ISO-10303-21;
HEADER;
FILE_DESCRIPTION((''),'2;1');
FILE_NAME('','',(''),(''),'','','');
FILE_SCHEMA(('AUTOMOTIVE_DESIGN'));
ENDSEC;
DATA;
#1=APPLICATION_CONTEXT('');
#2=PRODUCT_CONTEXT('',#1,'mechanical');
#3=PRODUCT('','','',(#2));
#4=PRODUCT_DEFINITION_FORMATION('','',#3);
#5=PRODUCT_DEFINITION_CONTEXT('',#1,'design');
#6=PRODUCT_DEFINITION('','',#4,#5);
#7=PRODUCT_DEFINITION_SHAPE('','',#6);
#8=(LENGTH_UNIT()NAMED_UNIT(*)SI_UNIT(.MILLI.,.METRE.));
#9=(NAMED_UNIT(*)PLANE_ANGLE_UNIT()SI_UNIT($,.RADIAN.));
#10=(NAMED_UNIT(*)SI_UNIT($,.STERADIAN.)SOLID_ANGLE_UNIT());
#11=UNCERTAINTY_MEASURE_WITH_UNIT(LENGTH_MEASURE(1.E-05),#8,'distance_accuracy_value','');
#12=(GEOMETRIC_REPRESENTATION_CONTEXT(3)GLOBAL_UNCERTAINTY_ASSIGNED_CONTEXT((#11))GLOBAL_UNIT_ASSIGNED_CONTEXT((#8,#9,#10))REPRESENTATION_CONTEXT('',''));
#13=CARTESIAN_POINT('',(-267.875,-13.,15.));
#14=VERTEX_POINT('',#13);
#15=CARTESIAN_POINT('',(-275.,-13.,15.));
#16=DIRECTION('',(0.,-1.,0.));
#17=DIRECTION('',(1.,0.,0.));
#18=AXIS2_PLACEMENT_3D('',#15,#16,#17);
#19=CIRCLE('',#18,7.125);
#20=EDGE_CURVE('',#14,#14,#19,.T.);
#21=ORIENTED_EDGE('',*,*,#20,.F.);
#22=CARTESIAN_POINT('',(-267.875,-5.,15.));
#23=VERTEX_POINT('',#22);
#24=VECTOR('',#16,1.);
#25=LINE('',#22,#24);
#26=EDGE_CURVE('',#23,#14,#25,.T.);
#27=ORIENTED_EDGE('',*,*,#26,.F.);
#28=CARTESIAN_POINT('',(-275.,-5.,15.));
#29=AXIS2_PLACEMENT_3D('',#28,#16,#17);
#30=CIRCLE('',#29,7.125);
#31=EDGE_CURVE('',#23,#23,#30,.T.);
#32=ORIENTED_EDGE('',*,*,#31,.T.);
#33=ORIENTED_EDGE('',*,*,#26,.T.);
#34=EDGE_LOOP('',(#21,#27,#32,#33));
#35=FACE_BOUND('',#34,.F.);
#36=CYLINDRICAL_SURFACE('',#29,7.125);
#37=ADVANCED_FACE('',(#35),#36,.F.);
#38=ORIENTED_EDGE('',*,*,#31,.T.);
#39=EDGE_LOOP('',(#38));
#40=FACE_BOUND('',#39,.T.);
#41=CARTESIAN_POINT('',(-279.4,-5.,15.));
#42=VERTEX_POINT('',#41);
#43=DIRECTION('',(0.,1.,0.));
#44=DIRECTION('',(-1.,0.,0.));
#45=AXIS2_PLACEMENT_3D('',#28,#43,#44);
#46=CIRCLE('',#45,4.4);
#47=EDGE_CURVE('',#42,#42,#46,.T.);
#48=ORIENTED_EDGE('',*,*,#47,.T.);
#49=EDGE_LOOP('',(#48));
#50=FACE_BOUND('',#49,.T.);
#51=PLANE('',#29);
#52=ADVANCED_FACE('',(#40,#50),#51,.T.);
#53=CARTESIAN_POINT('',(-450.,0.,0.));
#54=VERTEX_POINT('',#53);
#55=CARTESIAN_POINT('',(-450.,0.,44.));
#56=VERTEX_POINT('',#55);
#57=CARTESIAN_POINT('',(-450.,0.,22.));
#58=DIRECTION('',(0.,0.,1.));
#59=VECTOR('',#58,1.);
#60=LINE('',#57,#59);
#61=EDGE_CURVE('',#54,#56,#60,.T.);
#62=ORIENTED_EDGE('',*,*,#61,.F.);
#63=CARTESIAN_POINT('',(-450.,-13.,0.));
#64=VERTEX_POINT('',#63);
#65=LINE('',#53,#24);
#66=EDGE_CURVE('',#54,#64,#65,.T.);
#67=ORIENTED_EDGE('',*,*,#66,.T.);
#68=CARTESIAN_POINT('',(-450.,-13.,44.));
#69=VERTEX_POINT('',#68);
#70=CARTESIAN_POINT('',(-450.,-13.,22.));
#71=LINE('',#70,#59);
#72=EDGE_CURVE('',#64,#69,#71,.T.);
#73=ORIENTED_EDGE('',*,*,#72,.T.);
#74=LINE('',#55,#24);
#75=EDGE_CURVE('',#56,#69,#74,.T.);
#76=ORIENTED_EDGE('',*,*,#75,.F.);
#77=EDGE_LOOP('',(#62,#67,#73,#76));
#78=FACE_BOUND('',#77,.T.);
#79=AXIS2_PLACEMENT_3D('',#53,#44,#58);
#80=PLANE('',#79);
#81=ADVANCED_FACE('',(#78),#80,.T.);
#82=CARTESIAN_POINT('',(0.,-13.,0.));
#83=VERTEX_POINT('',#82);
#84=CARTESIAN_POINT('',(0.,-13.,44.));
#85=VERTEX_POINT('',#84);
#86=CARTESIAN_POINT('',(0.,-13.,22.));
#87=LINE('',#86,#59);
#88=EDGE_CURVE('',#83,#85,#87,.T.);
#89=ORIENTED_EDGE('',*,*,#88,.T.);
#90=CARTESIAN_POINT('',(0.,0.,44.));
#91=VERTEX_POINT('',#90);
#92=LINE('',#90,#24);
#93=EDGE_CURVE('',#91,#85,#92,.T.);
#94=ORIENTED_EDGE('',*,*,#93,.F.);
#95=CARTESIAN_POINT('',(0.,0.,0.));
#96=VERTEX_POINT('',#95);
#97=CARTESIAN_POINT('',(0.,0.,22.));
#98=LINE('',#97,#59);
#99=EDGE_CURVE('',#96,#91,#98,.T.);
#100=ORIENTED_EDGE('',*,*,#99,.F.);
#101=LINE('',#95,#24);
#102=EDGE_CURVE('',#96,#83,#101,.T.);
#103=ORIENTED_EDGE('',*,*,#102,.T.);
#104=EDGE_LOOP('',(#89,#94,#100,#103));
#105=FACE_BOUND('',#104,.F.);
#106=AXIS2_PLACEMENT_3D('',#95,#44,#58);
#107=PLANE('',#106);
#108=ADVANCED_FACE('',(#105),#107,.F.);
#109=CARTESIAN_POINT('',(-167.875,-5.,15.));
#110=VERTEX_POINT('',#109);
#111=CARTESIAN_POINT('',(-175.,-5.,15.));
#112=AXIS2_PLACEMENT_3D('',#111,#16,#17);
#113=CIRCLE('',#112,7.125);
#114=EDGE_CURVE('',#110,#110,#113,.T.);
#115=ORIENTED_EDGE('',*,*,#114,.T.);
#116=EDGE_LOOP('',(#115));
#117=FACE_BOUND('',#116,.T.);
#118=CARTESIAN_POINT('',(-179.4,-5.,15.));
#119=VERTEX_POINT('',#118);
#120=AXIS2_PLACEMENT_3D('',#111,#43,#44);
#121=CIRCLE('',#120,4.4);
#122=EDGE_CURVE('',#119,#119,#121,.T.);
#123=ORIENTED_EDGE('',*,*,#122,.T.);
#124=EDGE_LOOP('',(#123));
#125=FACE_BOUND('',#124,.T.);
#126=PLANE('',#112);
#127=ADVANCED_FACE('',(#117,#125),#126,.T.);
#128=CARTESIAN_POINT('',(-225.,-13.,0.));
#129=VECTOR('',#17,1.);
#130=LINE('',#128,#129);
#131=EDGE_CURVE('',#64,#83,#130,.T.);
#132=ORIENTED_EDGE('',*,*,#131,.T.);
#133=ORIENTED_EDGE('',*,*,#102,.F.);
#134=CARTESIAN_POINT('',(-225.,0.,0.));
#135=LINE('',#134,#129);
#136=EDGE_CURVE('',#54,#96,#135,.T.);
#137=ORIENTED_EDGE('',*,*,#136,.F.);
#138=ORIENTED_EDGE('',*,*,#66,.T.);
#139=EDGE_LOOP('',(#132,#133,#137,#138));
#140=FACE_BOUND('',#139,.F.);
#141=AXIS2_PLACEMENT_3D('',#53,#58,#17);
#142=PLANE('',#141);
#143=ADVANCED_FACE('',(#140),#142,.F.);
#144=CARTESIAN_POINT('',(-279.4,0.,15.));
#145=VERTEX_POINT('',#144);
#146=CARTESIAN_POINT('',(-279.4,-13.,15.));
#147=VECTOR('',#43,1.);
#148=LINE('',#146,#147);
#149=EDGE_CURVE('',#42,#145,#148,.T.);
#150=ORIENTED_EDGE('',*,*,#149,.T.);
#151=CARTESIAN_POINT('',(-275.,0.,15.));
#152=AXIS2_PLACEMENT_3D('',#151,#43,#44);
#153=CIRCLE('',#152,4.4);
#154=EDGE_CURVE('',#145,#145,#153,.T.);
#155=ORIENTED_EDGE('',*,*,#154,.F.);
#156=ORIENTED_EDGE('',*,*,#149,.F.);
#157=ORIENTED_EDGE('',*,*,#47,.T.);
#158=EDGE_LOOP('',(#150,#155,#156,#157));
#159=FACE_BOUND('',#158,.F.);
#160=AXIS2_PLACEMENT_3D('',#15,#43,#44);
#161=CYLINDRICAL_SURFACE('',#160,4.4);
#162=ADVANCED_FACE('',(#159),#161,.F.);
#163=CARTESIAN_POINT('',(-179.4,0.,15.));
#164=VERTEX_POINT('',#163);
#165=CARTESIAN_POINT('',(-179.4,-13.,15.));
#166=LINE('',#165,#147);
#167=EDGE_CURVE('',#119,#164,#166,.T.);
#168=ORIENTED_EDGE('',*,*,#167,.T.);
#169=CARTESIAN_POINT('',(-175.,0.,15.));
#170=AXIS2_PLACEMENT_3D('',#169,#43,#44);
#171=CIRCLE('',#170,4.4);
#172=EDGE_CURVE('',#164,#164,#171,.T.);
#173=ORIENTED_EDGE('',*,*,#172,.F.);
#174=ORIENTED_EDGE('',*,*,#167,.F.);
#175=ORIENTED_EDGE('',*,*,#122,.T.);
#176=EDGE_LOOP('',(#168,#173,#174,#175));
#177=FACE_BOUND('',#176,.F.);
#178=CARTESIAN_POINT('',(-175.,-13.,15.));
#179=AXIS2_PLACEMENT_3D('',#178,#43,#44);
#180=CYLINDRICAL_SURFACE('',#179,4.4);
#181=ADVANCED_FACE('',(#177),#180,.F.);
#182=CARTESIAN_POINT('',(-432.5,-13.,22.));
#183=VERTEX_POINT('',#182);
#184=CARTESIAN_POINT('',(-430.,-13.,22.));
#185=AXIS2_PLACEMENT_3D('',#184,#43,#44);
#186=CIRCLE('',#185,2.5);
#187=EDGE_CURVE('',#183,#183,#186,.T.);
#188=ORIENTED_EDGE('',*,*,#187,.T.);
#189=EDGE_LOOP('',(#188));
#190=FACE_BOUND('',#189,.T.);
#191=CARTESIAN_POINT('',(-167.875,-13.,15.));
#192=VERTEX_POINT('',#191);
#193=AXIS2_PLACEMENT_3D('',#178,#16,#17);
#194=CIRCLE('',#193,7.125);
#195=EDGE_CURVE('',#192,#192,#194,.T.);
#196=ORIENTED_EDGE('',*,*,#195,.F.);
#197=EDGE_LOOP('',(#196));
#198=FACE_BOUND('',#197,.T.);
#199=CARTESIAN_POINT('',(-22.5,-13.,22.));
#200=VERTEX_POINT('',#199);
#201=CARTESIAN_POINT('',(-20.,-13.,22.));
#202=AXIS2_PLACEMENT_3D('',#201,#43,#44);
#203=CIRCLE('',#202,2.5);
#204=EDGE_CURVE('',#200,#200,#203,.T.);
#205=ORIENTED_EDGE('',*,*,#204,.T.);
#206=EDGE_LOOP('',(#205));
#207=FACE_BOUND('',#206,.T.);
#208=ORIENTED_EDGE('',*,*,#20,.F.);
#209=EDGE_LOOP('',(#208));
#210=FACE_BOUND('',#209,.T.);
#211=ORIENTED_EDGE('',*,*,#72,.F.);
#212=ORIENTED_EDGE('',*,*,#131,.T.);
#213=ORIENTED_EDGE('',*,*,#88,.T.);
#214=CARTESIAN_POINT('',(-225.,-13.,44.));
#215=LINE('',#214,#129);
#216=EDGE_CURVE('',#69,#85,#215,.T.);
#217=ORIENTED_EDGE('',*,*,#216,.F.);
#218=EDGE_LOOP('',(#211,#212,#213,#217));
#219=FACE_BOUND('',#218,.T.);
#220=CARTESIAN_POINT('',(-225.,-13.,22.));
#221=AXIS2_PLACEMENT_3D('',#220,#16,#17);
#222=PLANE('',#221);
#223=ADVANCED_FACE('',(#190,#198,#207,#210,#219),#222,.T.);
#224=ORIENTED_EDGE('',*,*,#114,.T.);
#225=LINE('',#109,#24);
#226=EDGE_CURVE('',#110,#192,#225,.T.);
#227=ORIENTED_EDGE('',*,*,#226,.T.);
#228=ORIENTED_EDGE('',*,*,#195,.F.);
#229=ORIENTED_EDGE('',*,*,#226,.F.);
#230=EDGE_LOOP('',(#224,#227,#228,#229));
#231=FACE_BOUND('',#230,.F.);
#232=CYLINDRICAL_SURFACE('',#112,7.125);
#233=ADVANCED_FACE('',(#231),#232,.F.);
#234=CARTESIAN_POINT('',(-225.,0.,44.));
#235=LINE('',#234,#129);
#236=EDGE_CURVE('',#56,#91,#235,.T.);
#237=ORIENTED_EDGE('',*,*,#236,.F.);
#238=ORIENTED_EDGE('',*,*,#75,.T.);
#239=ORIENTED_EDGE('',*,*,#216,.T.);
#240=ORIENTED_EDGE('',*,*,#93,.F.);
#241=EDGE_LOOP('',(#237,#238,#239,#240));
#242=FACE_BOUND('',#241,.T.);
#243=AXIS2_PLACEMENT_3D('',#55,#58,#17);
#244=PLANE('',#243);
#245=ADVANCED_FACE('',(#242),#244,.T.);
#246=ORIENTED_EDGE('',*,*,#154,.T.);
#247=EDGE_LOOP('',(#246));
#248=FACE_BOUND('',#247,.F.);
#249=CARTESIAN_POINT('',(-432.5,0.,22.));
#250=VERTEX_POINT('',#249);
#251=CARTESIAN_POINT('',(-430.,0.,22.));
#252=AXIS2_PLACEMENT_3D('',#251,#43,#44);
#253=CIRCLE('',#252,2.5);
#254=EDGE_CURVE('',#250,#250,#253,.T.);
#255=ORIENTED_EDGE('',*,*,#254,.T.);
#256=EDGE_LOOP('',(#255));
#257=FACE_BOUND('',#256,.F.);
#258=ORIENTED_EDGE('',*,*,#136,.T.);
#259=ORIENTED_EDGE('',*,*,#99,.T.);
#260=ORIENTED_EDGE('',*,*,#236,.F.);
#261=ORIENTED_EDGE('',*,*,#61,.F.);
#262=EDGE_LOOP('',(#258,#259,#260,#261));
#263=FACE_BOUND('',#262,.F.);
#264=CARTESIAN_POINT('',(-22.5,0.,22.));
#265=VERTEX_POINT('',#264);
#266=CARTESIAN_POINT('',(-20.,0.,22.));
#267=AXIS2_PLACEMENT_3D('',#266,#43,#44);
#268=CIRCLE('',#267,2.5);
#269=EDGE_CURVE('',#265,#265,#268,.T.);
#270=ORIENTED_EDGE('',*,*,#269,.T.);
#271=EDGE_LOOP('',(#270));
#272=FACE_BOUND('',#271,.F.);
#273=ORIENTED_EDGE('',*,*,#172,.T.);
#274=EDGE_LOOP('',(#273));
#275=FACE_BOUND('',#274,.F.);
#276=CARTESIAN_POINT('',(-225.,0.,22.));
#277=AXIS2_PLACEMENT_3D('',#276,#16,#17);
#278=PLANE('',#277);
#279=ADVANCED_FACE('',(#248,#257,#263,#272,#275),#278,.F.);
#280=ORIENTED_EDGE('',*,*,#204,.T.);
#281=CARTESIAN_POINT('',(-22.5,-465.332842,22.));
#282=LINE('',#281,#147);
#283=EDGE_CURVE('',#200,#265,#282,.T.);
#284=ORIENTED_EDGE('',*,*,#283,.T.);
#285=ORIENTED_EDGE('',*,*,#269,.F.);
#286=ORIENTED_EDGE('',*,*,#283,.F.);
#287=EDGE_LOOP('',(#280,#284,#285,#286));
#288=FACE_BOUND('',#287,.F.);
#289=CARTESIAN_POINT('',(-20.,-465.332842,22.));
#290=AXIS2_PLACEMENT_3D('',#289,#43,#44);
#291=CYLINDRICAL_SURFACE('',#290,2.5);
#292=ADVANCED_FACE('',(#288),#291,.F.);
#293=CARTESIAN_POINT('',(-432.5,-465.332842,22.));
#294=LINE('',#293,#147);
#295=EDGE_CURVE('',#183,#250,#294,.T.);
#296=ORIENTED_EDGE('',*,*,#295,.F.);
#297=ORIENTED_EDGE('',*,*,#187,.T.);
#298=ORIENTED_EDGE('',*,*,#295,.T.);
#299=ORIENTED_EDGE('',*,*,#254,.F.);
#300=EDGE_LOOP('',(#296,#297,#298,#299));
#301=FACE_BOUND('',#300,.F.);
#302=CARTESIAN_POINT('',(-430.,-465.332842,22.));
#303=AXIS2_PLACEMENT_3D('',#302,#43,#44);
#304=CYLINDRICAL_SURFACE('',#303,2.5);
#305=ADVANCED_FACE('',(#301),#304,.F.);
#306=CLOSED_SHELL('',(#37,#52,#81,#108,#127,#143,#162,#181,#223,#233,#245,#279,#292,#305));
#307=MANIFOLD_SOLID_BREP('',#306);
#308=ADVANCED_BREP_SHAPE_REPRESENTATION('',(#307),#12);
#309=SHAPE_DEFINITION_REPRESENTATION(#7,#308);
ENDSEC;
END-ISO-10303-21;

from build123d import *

# Parameters (mm, degrees)
F0_W           = 450
F0_H           = 44
F1_DEPTH       = 13
F3_D           = 5
F4_D           = 8.8
F4_CBORE_D     = 14.25
F4_CBORE_DEPTH = 8


with BuildPart() as f1:
    # F0 (on Front) → F1 (new body)
    with BuildSketch(Plane.XZ):
        with Locations((-225, 22)):
            Rectangle(F0_W, F0_H)
    extrude(amount=F1_DEPTH)

    # F3 (through all)
    with Locations(Plane.XZ.offset(13)):
        with Locations((-430, 22), (-20, 22)):
            Hole(F3_D / 2)

    # F4 (through all)
    with Locations(Plane.XZ.offset(13)):
        with Locations((-275, 15), (-175, 15)):
            CounterBoreHole(F4_D / 2, F4_CBORE_D / 2, F4_CBORE_DEPTH)


solid = f1.part
